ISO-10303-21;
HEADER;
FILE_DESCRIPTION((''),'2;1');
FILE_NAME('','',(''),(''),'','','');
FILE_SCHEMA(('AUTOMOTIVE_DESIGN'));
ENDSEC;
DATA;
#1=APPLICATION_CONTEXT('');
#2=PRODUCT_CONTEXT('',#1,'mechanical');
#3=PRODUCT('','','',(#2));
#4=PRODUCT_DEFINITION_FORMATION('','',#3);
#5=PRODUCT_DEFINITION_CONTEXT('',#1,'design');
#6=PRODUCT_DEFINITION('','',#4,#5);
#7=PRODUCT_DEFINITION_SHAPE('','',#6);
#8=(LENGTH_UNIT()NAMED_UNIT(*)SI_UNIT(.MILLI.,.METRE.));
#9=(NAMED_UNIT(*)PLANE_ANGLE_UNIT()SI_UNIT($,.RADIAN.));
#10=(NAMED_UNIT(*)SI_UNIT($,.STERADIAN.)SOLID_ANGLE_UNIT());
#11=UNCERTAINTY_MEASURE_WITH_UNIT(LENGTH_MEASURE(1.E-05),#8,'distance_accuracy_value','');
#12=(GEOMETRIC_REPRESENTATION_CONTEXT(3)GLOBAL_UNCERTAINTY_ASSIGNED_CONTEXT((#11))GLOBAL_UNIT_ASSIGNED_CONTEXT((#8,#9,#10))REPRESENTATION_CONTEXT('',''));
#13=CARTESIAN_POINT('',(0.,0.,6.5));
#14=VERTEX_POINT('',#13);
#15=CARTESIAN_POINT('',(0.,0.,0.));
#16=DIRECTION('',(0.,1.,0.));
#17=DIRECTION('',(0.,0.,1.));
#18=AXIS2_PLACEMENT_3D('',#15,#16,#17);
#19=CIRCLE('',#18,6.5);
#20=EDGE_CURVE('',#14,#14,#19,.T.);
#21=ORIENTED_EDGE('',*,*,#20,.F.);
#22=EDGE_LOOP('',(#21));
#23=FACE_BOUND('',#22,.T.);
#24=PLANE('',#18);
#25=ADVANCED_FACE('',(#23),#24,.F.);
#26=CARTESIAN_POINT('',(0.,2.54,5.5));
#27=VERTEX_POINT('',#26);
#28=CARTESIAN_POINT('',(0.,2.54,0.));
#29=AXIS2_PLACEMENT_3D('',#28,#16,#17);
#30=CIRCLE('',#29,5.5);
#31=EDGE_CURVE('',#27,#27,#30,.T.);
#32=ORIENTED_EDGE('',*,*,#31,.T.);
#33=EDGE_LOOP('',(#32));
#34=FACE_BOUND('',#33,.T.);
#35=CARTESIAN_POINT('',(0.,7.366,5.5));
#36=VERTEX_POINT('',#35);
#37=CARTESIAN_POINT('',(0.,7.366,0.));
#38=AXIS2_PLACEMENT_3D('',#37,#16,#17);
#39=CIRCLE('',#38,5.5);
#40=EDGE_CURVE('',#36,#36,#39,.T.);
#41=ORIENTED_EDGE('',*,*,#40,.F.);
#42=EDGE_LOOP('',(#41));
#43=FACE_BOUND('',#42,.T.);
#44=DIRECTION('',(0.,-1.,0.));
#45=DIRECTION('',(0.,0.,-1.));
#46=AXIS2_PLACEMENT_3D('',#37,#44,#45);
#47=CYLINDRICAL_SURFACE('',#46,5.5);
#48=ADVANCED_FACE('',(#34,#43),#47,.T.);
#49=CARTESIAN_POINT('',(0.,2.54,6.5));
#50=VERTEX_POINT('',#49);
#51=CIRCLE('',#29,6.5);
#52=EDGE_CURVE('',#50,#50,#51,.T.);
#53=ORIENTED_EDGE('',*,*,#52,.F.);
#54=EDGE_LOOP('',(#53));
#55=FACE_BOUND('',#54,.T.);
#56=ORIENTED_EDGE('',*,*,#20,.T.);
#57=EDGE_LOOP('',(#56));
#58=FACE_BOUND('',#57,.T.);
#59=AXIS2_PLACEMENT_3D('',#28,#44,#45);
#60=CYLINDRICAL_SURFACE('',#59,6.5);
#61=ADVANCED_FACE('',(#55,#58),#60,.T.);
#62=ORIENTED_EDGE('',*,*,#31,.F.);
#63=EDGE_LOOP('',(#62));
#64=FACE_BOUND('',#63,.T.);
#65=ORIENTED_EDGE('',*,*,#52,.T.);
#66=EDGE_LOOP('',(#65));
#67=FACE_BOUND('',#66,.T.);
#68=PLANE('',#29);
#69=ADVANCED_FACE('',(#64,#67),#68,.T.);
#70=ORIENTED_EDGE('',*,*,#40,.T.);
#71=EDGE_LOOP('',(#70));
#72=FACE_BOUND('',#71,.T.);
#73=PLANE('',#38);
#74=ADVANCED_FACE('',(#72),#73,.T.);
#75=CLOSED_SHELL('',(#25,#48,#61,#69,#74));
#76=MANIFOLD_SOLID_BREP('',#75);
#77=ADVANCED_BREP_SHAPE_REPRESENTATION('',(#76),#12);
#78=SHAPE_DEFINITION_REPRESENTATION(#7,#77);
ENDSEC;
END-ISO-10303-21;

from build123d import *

# Parameters (mm, degrees)
SKETCH1_R           = 6.5
BOSS_EXTRUDE1_DEPTH = 2.54
SKETCH2_R           = 5.5
BOSS_EXTRUDE2_DEPTH = 4.826


with BuildPart() as part:
    # Sketch1 → Boss-Extrude1 (new body)
    with BuildSketch(Plane(origin=(0, 0, 0), x_dir=(1, 0, 0), z_dir=(0, 1, 0))):
        Circle(SKETCH1_R)
    extrude(amount=BOSS_EXTRUDE1_DEPTH)

    # Sketch2 → Boss-Extrude2 (add)
    with BuildSketch(Plane(origin=(0, 2.54, 0), x_dir=(1, 0, 0), z_dir=(0, 1, 0))):
        Circle(SKETCH2_R)
    extrude(amount=BOSS_EXTRUDE2_DEPTH)


solid = part.part
